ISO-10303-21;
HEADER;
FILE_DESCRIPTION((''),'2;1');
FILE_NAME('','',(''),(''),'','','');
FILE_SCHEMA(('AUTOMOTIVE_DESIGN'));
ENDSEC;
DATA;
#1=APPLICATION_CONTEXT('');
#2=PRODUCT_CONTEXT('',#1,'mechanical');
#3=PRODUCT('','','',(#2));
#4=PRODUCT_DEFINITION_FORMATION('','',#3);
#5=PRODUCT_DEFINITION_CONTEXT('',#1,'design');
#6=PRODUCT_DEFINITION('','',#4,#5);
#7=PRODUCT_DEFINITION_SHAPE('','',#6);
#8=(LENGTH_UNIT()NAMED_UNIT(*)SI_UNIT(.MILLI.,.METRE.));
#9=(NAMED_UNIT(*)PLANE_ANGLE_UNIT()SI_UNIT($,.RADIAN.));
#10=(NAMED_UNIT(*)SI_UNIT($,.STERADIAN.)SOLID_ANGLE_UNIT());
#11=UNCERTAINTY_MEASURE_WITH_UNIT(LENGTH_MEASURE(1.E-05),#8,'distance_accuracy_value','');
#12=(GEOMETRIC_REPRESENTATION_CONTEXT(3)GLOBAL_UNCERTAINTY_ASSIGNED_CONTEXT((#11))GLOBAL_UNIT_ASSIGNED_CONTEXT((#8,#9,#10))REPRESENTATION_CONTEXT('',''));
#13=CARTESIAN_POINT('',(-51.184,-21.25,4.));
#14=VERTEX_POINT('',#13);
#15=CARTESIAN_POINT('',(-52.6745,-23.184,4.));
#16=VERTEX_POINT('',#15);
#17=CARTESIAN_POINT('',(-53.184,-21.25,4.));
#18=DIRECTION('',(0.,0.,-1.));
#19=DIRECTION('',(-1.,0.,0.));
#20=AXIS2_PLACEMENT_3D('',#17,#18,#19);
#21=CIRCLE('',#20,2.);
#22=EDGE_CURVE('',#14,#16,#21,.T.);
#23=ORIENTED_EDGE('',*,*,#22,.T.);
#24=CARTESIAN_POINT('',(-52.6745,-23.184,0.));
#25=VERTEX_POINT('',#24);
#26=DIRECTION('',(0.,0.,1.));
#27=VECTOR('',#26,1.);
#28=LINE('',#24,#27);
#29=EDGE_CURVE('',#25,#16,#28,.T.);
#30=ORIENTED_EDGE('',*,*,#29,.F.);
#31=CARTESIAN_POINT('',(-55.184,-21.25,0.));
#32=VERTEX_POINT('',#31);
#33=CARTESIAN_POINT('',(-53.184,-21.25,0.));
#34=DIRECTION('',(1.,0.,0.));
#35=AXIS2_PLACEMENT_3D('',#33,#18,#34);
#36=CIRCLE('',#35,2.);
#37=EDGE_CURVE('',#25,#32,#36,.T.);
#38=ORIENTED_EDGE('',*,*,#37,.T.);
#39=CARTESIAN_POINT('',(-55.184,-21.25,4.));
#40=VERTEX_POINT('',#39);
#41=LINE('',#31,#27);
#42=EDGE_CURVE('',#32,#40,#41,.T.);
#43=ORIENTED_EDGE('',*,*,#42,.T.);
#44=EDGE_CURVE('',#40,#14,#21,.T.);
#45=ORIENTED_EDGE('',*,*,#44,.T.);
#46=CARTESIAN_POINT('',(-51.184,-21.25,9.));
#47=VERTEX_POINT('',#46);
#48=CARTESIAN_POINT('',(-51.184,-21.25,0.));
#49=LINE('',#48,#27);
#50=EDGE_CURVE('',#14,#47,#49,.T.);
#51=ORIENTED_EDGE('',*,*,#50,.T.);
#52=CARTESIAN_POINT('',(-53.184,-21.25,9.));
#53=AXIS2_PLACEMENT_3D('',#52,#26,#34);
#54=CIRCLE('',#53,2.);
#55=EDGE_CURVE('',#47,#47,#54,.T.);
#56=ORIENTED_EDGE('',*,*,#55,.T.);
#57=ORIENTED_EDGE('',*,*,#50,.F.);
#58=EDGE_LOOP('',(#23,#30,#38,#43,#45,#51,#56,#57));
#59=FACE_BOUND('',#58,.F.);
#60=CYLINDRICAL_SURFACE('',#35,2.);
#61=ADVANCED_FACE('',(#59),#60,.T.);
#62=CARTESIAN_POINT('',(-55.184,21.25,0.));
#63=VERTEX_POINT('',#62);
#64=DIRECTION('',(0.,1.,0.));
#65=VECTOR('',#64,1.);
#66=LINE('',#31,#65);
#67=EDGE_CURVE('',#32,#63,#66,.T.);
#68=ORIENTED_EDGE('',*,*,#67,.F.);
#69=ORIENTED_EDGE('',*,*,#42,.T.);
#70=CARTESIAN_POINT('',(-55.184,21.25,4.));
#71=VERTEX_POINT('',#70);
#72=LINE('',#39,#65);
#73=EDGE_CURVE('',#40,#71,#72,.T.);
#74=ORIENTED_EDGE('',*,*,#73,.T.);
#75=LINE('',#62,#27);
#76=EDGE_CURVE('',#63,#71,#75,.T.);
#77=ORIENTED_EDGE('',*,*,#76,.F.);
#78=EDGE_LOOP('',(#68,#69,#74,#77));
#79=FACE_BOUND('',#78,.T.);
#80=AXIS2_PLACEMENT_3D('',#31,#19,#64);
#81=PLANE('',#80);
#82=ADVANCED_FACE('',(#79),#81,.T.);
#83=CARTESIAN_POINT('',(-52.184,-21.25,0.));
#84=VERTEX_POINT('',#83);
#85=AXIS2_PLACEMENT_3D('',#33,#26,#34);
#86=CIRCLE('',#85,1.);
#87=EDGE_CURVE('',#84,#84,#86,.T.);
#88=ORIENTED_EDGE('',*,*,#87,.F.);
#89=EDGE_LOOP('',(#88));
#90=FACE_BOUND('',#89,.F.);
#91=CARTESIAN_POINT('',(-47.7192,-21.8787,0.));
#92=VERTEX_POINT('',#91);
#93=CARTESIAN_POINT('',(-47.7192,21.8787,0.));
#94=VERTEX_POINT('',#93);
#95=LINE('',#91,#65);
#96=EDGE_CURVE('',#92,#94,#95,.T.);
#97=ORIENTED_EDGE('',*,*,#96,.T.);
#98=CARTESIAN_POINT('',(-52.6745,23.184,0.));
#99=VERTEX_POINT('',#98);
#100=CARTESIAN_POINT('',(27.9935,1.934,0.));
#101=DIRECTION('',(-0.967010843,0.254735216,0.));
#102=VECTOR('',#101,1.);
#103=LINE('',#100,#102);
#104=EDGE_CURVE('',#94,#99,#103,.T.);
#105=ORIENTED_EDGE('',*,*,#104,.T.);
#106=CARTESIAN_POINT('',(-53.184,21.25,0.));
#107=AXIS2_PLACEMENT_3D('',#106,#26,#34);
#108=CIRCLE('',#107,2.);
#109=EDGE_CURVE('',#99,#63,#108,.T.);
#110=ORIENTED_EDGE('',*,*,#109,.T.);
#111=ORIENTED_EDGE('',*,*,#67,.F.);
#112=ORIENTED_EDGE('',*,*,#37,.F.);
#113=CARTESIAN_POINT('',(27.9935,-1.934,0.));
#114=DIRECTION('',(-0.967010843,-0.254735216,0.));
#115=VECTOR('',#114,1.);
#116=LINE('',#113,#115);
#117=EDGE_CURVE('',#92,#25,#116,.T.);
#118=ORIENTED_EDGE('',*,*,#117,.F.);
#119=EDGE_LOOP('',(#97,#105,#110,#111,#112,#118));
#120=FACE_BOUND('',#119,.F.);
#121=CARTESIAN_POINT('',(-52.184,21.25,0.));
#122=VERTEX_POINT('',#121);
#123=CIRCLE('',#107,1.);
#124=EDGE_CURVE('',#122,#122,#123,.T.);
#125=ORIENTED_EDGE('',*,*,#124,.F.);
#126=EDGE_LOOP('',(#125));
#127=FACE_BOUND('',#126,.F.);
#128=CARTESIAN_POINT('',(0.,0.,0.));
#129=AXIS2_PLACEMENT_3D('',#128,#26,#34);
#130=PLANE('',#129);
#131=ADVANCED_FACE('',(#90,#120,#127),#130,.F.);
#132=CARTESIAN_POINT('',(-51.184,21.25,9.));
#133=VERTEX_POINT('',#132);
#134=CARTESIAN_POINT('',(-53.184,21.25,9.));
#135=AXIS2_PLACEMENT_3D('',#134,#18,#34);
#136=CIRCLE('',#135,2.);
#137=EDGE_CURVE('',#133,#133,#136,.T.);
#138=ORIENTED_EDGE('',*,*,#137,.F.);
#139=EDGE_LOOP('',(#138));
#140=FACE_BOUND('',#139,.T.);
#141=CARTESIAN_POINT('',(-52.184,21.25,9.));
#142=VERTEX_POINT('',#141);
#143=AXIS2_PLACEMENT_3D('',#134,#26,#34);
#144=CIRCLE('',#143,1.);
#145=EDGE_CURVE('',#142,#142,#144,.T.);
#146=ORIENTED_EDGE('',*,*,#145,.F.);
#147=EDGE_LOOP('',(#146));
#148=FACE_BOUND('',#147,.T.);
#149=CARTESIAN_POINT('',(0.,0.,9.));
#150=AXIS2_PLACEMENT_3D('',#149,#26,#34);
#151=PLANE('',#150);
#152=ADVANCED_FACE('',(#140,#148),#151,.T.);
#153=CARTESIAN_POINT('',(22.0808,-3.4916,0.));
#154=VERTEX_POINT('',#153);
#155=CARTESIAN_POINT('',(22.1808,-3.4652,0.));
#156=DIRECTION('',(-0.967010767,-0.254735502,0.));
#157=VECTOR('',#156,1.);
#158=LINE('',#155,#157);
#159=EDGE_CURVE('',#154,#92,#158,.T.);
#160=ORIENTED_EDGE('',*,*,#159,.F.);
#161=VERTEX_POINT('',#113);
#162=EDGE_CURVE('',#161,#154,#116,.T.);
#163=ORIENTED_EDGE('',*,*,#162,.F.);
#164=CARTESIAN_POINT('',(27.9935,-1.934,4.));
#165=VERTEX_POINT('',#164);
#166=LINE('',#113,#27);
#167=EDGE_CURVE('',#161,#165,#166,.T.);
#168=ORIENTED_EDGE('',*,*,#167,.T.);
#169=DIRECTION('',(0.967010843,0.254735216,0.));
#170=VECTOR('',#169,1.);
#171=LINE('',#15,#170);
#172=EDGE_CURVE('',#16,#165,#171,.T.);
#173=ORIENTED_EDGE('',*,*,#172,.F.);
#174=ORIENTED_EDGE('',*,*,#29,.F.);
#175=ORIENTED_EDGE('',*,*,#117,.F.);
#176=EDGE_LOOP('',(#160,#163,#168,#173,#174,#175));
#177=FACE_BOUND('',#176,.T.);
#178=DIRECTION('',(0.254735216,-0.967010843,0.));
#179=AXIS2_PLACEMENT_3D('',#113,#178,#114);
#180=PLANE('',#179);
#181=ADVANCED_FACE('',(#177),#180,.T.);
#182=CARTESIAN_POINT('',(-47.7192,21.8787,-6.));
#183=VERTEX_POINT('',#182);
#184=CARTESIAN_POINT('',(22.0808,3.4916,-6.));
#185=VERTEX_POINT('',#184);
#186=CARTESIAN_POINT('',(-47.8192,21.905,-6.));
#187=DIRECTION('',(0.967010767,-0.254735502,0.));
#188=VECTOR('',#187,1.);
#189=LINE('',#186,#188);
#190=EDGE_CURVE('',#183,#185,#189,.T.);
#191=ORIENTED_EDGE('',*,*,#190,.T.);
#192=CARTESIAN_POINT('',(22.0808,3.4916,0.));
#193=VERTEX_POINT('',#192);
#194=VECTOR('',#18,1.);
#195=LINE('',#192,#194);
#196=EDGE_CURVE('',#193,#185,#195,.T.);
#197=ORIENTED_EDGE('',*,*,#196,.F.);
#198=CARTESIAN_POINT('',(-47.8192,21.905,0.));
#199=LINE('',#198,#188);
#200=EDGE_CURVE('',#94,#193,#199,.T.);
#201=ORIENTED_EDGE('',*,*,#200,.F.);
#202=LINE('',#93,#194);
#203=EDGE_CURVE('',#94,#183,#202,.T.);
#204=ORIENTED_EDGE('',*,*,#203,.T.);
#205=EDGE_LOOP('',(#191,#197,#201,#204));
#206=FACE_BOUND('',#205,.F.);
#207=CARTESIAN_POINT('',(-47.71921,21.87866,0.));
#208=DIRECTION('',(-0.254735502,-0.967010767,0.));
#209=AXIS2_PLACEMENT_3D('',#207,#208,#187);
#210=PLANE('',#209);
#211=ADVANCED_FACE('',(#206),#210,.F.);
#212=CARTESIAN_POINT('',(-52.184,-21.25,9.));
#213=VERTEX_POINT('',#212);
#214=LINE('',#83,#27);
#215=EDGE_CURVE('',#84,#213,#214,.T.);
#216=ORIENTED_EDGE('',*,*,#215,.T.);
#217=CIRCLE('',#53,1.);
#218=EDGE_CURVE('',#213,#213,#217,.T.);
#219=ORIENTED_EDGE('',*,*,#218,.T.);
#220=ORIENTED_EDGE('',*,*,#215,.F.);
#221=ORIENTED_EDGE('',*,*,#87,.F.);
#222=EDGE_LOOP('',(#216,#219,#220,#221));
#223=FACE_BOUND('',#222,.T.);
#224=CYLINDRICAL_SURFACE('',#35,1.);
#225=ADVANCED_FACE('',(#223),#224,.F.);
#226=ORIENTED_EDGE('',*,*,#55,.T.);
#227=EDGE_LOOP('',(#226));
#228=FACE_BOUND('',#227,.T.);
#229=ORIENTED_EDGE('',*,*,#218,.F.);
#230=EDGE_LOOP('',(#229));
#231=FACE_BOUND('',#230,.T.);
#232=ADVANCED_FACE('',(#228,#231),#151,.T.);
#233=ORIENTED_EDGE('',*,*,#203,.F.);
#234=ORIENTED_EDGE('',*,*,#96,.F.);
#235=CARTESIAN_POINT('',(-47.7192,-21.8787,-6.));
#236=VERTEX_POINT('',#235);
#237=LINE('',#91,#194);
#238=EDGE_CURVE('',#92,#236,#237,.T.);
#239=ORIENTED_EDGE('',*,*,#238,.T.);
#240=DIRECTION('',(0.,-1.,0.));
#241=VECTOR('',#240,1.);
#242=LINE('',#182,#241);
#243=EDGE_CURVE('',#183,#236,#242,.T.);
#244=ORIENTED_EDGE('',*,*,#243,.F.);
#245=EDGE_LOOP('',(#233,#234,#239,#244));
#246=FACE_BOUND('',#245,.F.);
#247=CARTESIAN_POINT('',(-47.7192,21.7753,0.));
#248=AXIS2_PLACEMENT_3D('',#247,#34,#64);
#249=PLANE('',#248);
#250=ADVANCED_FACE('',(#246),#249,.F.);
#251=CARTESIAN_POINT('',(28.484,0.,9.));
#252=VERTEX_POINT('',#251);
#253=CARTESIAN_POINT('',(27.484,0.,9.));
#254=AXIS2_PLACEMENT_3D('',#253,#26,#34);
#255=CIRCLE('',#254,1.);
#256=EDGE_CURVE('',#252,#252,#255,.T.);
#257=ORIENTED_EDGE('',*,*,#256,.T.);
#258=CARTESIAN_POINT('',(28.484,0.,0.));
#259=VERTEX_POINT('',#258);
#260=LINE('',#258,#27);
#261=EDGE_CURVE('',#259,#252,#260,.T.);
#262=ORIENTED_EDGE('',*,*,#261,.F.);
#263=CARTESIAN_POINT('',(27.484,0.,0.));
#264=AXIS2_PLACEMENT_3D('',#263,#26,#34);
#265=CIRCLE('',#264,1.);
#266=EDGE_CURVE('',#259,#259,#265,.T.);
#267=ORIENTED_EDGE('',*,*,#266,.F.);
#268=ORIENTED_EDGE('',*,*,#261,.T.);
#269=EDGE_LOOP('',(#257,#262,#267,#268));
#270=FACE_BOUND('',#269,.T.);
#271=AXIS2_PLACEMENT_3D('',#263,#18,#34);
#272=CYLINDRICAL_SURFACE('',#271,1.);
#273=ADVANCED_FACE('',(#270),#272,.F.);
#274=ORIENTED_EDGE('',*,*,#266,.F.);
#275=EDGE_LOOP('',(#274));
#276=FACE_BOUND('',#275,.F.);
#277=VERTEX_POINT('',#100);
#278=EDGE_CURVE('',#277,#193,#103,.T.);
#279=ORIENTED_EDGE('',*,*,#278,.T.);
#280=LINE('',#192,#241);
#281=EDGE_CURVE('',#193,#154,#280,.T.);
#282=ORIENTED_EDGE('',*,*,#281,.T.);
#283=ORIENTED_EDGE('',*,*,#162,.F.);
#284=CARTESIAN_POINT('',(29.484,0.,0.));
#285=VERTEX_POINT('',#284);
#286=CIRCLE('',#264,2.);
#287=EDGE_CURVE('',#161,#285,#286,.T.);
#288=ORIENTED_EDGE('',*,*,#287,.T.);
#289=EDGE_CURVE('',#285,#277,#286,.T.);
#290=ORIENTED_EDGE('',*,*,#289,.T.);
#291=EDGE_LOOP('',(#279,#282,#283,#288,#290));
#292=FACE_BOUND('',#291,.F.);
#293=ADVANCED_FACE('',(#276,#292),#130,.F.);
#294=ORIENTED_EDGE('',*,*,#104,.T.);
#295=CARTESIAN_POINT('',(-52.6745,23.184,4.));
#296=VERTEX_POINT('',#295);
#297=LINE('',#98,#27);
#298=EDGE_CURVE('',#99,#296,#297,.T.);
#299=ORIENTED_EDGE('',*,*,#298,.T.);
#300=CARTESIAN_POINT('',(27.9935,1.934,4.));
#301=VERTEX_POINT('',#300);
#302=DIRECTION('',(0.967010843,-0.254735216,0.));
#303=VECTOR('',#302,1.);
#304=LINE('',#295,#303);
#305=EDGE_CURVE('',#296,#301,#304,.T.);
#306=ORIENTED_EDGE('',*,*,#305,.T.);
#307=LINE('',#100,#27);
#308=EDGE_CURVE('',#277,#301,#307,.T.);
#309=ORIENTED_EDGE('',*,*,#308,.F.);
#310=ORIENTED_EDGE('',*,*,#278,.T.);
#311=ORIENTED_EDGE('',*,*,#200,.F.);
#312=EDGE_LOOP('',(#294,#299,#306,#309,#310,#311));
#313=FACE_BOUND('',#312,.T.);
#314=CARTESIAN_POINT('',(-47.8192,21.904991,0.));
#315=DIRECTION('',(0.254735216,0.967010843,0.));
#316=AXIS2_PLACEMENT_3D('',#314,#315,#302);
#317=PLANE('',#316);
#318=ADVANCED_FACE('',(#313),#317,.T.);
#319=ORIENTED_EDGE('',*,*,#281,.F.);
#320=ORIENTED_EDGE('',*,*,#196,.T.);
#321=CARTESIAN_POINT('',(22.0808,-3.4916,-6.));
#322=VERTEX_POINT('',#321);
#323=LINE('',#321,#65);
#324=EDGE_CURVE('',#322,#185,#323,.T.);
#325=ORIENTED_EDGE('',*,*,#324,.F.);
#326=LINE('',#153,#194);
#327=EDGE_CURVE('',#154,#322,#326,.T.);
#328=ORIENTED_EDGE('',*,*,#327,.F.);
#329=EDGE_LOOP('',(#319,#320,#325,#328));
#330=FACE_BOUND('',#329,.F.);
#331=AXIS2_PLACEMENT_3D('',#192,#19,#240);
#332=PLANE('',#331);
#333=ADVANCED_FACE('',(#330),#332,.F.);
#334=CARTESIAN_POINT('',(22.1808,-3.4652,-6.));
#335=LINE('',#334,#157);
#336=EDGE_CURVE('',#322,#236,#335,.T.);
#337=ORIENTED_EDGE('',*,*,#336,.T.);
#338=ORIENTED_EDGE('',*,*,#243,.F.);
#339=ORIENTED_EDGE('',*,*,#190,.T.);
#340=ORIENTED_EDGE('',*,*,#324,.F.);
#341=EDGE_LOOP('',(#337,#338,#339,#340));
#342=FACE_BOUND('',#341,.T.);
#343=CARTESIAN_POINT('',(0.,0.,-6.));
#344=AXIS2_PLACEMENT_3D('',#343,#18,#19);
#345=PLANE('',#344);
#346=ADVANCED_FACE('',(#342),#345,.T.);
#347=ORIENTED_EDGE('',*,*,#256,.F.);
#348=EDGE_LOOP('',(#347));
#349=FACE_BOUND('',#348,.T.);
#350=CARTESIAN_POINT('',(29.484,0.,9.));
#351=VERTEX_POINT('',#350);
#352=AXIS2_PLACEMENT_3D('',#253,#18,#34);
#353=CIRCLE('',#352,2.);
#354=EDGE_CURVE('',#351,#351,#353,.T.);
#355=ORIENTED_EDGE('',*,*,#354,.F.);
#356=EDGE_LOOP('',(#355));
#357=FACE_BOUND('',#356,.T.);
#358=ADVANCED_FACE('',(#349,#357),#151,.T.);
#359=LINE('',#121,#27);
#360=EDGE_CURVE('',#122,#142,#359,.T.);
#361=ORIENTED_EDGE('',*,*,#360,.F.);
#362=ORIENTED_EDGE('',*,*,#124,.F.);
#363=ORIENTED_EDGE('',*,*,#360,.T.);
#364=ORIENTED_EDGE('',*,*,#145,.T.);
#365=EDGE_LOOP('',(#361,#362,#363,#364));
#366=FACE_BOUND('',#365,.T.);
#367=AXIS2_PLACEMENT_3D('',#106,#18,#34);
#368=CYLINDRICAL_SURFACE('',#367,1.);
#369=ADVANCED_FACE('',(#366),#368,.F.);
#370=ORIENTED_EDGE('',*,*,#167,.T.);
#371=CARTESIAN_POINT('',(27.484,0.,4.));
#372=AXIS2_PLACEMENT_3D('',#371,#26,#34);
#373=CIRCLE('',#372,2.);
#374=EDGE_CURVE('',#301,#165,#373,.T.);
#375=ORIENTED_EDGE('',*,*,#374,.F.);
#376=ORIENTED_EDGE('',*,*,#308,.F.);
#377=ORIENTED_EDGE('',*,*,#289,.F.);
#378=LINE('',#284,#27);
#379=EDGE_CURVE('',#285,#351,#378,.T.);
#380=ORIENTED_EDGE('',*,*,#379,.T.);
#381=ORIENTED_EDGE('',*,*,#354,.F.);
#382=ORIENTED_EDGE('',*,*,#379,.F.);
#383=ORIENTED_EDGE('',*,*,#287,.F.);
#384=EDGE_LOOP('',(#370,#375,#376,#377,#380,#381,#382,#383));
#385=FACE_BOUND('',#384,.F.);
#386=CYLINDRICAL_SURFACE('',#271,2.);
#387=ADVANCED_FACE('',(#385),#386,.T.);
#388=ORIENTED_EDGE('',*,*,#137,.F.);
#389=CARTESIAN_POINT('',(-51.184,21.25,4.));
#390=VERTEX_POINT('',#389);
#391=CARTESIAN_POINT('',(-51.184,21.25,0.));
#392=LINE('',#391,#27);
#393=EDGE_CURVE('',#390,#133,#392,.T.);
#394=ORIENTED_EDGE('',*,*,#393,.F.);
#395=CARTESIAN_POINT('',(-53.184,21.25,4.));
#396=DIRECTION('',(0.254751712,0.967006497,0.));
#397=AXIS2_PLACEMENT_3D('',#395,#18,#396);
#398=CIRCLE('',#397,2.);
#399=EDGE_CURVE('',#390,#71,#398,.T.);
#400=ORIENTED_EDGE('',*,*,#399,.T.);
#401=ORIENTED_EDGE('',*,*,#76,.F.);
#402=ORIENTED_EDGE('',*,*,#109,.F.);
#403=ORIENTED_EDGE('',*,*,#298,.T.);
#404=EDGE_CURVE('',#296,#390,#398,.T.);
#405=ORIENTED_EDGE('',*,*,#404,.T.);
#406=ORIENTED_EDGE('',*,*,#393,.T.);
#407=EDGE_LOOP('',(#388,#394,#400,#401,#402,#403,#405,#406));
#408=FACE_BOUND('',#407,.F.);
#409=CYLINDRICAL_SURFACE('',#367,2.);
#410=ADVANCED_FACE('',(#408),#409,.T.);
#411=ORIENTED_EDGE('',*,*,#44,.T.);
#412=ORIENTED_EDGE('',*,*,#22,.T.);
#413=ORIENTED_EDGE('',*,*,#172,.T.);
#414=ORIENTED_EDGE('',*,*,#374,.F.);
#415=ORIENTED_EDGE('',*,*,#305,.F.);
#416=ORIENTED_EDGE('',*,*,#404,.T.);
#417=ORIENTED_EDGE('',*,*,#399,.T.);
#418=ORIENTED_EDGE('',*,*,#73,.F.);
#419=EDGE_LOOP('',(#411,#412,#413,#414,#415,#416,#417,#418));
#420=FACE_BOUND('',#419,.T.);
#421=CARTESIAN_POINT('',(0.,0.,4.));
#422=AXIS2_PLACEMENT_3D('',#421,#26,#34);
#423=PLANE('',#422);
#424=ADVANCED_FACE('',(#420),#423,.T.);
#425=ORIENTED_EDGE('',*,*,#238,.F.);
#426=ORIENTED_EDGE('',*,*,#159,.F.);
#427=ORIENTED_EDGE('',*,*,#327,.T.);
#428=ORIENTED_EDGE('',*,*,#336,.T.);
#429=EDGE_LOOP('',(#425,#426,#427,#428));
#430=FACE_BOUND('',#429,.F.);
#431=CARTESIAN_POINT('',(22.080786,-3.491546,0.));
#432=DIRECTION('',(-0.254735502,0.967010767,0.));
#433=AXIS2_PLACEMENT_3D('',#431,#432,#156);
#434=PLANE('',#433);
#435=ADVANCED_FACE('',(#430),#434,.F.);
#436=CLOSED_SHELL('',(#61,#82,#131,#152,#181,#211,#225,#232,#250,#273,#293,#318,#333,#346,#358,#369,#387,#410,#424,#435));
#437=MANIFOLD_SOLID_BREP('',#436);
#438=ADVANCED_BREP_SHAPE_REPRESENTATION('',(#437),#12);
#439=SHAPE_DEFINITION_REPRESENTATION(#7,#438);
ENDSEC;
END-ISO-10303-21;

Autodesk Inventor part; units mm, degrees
ref_plane "YZ Plane" through (0, 0, 0) normal (1, 0, 0) x (0, 1, 0)
ref_plane "XZ Plane" through (0, 0, 0) normal (0, 1, 0) x (-1, 0, 0)
sketch "Sketch1" plane through (0, 0, 0) normal (0, 0, 1) x (1, 0, 0)
  circle A0 centre (-53.184, -21.25) radius 1.5 projected
  arc A1 (-60.184, 31.25) -> (-62.184, 29.25) centre (-60.184, 29.25) ccw projected
  line L0 (-62.184, -29.25) -> (-62.184, 29.25) projected
  arc A2 (-62.184, -29.25) -> (-60.184, -31.25) centre (-60.184, -29.25) ccw projected
  line L1 (-47.8192, -31.25) -> (-60.184, -31.25) projected
  line L2 (-47.8192, -31.25) -> (-47.8192, 31.25) projected
  line L3 (-47.8192, 31.25) -> (-60.184, 31.25) projected
  circle A3 centre (-53.184, 21.25) radius 1.5 projected
  circle A4 centre (27.484, 0) radius 1.5 projected
  circle A5 centre (-53.184, 21.25) radius 2
  circle A6 centre (-53.184, 21.25) radius 1 projected
  circle A7 centre (-53.184, -21.25) radius 1 projected
  circle A8 centre (-53.184, -21.25) radius 2
  circle A9 centre (27.484, 0) radius 2
  circle A10 centre (27.484, 0) radius 1 projected
  line L4 (-52.6745, 23.184) -> (27.9935, 1.934)
  line L5 (27.9935, -1.934) -> (-52.6745, -23.184)
  line L6 (-55.184, -21.25) -> (-55.184, 21.25)
  arc A11 (-52.6745, 23.184) -> (-55.184, 21.25) centre (-53.184, 21.25) ccw
  arc A12 (-55.184, -21.25) -> (-52.6745, -23.184) centre (-53.184, -21.25) ccw
  arc A13 (27.9935, -1.934) -> (27.9935, 1.934) centre (27.484, 0) ccw
  point P0 (0, 0)
  dimension "d0" = 4
  dimension "d1" = 4
  dimension "d2" = 4
  dimension "d3" = 2
extrude "Extrusion1" add sketch "Sketch1" along normal blind 9 contours A0 | A5 | A9 | A8 | A3 | A4
extrude "Extrusion2" add sketch "Sketch1" along normal blind 4 contours L4 A9 L5 L2 | L2 L5 A8 L6 A5 L4
sketch "Sketch2" plane through (0, 0, 0) normal (0, 0, -1) x (-1, 0, 0)
  line L0 (-22.1808, 31.25) -> (-22.1808, -31.25) projected
  line L1 (47.8192, 31.25) -> (-22.1808, 31.25) projected
  line L2 (47.8192, -31.25) -> (47.8192, 31.25) projected
  line L3 (-22.1808, -31.25) -> (47.8192, -31.25) projected
  line L4 (47.8192, -21.905) -> (47.8192, 21.905)
  line L5 (47.8192, 21.905) -> (-22.1808, 3.4652)
  line L6 (-22.1808, 3.4652) -> (-22.1808, -3.4652)
  line L7 (-22.1808, -3.4652) -> (47.8192, -21.905)
  line L8 (52.6745, 23.184) -> (-27.9935, 1.934) projected
  line L9 (-27.9935, -1.934) -> (52.6745, -23.184) projected
  line L10 (47.7192, -21.8787) -> (47.7192, 21.8787)
  line L11 (47.7192, 21.7753) -> (-22.0808, 3.3882)
  line L12 (-22.0808, 3.4916) -> (-22.0808, -3.4916)
  line L13 (-22.0808, -3.3882) -> (47.7192, -21.7753)
  line L14 (47.7192, 21.7753) -> (47.7192, 21.8787)
  line L15 (-22.0808, 3.3882) -> (-22.0808, 3.4916)
  line L16 (47.8192, 21.905) -> (-22.1808, 3.4652)
  point P0 (0, 0)
  point P1 (-22.1808, 0)
  dimension "d8" = 0.1
  dimension "d11" = 0.1
  dimension "d12" = 0.1
  dimension "d13" = 0.1
ref_plane "Work Plane1" through (-47.8192, -31.25, -6) normal (0, 0, 1) x (1, 0, 0)
extrude "Extrusion3" add sketch "Sketch2" along normal up to surface (6 mm away) contours L5 L10 L11 L12 | L12 L13 L10 L7 | L11 L10 L13 L12
properties part number "3d_LM-Welding_Tooling - Top Adapter" material "PA12 SLS 3D Print"
